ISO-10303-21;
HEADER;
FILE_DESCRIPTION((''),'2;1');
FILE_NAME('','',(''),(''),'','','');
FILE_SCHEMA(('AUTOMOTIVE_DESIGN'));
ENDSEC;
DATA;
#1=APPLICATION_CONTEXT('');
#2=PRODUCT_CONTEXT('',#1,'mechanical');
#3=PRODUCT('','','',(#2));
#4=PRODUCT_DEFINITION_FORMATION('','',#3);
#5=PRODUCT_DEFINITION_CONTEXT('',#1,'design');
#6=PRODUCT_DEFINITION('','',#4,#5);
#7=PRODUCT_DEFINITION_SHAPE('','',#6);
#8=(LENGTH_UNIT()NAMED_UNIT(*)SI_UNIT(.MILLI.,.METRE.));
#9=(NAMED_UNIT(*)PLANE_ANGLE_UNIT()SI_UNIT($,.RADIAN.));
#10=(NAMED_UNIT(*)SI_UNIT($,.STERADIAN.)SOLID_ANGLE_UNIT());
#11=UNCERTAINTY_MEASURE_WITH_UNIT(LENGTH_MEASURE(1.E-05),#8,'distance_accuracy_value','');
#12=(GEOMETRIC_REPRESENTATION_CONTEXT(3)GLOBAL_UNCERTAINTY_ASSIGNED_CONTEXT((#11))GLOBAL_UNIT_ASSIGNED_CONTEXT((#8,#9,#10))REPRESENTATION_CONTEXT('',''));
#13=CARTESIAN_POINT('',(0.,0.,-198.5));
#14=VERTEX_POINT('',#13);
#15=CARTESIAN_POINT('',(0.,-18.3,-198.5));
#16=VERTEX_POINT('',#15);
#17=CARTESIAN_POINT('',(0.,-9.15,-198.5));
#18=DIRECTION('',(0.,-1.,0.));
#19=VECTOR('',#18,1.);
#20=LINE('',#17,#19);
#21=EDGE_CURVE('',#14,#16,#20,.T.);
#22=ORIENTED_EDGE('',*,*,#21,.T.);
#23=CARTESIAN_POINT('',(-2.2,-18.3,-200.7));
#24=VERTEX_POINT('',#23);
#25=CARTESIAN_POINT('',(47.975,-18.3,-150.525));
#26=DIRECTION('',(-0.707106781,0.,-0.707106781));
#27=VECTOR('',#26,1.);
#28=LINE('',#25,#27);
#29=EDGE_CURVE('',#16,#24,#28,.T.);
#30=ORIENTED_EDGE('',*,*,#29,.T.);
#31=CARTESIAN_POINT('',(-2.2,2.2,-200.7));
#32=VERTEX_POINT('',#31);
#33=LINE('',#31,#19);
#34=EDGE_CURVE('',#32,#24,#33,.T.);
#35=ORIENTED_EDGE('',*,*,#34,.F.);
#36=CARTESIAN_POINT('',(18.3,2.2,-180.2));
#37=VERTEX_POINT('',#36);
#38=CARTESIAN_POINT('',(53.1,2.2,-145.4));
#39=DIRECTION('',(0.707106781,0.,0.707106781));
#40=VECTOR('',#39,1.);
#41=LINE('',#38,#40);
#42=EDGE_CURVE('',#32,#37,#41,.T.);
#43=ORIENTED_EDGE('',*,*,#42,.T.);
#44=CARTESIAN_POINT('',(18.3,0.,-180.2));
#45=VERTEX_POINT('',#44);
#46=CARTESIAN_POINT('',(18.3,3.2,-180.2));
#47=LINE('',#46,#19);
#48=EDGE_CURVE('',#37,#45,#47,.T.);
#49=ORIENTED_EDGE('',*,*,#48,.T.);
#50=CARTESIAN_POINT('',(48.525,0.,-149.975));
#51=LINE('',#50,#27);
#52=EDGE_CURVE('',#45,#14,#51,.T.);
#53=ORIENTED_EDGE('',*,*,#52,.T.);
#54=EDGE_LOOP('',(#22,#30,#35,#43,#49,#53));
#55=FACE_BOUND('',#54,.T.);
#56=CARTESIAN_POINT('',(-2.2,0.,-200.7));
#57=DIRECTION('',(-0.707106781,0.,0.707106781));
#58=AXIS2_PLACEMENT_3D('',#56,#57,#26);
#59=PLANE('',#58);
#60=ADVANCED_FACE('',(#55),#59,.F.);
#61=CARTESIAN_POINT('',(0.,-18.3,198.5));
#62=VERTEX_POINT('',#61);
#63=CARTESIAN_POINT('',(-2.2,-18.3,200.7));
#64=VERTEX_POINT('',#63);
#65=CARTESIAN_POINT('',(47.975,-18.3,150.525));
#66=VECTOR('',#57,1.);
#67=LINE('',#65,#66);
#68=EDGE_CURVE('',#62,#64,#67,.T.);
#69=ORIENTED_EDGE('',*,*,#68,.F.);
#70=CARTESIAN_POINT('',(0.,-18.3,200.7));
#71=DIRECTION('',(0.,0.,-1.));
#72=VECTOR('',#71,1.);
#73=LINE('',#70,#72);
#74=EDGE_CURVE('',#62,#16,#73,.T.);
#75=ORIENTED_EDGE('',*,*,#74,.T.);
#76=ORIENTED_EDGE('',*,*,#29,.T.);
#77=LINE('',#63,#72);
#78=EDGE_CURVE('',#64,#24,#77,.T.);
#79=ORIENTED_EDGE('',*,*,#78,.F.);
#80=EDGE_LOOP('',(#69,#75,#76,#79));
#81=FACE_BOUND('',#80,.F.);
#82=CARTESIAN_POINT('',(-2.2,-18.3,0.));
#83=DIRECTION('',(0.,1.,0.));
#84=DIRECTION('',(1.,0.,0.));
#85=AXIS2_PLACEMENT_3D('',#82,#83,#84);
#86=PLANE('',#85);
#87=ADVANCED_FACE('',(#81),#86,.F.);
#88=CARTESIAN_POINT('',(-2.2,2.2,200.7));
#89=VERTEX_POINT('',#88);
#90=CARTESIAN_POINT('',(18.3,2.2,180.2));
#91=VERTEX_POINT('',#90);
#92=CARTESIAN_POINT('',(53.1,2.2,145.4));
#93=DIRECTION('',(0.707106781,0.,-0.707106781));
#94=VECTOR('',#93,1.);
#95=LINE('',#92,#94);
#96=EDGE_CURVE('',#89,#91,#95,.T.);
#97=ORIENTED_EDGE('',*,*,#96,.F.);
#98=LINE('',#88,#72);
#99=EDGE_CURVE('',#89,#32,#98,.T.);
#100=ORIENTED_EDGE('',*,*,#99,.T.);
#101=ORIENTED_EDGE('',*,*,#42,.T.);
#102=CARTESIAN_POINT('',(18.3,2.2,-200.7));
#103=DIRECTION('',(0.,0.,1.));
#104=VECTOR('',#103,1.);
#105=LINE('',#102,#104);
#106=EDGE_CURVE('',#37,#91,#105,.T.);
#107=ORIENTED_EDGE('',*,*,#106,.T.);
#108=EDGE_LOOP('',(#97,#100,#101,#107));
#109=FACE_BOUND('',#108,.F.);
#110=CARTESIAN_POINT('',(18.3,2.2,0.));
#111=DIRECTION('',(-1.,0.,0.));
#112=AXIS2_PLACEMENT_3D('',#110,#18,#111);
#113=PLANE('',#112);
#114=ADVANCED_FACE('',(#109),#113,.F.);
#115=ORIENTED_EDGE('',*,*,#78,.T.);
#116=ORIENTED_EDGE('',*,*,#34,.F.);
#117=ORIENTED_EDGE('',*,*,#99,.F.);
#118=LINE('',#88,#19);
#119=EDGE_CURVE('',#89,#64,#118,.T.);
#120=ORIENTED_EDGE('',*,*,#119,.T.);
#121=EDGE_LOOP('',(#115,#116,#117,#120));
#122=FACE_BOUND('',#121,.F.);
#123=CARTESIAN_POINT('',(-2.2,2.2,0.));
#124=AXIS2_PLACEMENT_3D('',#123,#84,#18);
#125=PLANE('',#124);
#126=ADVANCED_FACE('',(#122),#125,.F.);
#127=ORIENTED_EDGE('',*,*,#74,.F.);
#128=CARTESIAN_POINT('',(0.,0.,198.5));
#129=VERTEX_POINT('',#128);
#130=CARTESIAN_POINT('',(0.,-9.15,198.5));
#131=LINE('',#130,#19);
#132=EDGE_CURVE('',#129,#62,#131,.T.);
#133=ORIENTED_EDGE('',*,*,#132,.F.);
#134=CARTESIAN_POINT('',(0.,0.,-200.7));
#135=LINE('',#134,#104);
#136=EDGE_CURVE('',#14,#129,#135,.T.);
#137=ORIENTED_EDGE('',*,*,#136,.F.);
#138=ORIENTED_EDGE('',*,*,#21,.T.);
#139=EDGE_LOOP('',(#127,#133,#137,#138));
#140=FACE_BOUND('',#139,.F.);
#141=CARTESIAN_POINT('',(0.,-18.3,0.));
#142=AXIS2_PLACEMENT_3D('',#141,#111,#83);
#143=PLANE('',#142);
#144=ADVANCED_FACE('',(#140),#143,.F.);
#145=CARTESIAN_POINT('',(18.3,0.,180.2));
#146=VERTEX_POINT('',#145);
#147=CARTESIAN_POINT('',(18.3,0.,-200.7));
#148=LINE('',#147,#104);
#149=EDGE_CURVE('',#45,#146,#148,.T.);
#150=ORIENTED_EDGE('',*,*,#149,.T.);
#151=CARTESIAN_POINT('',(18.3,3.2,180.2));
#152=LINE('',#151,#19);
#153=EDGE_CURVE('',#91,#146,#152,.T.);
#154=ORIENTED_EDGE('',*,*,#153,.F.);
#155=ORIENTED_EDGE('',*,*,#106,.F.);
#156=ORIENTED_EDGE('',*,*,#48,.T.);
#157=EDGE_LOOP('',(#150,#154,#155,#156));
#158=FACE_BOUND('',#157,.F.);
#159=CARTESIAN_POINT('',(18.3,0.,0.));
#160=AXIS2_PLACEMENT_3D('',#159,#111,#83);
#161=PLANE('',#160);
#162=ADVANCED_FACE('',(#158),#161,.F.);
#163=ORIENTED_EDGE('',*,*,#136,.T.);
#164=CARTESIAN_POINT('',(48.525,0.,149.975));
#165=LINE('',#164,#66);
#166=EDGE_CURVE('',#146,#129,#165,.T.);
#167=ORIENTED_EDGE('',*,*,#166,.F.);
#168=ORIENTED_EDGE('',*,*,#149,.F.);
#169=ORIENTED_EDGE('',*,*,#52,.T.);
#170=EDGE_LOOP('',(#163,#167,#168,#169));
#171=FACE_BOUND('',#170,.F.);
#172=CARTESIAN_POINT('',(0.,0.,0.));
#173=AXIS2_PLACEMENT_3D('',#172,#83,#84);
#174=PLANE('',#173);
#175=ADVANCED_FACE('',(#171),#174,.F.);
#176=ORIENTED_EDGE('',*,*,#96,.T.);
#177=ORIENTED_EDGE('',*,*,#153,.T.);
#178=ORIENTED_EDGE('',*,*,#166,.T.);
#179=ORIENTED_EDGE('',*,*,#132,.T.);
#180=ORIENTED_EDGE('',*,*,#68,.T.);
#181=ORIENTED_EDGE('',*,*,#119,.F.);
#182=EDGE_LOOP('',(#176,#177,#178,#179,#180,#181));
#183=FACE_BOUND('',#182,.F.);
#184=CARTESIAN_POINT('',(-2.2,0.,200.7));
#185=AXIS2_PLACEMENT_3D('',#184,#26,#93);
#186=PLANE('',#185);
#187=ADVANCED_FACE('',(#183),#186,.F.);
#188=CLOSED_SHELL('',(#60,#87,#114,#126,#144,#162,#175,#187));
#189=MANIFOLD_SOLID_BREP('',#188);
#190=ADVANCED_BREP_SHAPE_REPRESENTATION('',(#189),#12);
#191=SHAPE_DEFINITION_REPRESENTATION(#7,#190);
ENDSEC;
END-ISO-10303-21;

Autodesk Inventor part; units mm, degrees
ref_plane "YZ Plane" through (0, 0, 0) normal (1, 0, 0) x (0, 1, 0)
ref_plane "XZ Plane" through (0, 0, 0) normal (0, 1, 0) x (-1, 0, 0)
ref_plane "XY Plane" through (0, 0, 0) normal (0, 0, 1) x (1, 0, 0)
sketch "Esquisse1" plane through (0, 0, 0) normal (0, 0, 1) x (1, 0, 0)
  line L0 (0, 0) -> (18.3, 0)
  line L1 (18.3, 0) -> (18.3, 2.2)
  line L2 (18.3, 2.2) -> (-2.2, 2.2)
  line L3 (-2.2, 2.2) -> (-2.2, -18.3)
  line L4 (-2.2, -18.3) -> (0, -18.3)
  line L5 (0, -18.3) -> (0, 0)
  dimension "Epaisseur_cornière" = 2.2
  dimension "Largueur" = 20.5
extrude "Embase" add sketch "Esquisse1" along normal mid plane 401.4
sketch "Esquisse2" plane through (0, 0, 0) normal (0, 1, 0) x (-1, 0, 0)
  line L0 (2.2, 200.7) -> (-18.3, 180.2)
  line L1 (-18.3, 180.2) -> (-18.3, 200.7)
  line L2 (-18.3, 200.7) -> (2.2, 200.7)
  line L3 (-18.3, 200.7) -> (2.2, 200.7) construction
  line L4 (2.2, -200.7) -> (2.2, 200.7) construction
  line L5 (-18.3, -200.7) -> (-18.3, 200.7) construction
  point P0 (0, 0)
  dimension "d4" = 45
extrude "Découpe à 45" cut sketch "Esquisse2" along normal through all both and the other way through all
mirror "Symétrie découpe" about plane through (0, 0, 0) normal (0, 0, 1) of "Découpe à 45"
properties part number "Profilé superieur face" material "Aluminium 6061"
